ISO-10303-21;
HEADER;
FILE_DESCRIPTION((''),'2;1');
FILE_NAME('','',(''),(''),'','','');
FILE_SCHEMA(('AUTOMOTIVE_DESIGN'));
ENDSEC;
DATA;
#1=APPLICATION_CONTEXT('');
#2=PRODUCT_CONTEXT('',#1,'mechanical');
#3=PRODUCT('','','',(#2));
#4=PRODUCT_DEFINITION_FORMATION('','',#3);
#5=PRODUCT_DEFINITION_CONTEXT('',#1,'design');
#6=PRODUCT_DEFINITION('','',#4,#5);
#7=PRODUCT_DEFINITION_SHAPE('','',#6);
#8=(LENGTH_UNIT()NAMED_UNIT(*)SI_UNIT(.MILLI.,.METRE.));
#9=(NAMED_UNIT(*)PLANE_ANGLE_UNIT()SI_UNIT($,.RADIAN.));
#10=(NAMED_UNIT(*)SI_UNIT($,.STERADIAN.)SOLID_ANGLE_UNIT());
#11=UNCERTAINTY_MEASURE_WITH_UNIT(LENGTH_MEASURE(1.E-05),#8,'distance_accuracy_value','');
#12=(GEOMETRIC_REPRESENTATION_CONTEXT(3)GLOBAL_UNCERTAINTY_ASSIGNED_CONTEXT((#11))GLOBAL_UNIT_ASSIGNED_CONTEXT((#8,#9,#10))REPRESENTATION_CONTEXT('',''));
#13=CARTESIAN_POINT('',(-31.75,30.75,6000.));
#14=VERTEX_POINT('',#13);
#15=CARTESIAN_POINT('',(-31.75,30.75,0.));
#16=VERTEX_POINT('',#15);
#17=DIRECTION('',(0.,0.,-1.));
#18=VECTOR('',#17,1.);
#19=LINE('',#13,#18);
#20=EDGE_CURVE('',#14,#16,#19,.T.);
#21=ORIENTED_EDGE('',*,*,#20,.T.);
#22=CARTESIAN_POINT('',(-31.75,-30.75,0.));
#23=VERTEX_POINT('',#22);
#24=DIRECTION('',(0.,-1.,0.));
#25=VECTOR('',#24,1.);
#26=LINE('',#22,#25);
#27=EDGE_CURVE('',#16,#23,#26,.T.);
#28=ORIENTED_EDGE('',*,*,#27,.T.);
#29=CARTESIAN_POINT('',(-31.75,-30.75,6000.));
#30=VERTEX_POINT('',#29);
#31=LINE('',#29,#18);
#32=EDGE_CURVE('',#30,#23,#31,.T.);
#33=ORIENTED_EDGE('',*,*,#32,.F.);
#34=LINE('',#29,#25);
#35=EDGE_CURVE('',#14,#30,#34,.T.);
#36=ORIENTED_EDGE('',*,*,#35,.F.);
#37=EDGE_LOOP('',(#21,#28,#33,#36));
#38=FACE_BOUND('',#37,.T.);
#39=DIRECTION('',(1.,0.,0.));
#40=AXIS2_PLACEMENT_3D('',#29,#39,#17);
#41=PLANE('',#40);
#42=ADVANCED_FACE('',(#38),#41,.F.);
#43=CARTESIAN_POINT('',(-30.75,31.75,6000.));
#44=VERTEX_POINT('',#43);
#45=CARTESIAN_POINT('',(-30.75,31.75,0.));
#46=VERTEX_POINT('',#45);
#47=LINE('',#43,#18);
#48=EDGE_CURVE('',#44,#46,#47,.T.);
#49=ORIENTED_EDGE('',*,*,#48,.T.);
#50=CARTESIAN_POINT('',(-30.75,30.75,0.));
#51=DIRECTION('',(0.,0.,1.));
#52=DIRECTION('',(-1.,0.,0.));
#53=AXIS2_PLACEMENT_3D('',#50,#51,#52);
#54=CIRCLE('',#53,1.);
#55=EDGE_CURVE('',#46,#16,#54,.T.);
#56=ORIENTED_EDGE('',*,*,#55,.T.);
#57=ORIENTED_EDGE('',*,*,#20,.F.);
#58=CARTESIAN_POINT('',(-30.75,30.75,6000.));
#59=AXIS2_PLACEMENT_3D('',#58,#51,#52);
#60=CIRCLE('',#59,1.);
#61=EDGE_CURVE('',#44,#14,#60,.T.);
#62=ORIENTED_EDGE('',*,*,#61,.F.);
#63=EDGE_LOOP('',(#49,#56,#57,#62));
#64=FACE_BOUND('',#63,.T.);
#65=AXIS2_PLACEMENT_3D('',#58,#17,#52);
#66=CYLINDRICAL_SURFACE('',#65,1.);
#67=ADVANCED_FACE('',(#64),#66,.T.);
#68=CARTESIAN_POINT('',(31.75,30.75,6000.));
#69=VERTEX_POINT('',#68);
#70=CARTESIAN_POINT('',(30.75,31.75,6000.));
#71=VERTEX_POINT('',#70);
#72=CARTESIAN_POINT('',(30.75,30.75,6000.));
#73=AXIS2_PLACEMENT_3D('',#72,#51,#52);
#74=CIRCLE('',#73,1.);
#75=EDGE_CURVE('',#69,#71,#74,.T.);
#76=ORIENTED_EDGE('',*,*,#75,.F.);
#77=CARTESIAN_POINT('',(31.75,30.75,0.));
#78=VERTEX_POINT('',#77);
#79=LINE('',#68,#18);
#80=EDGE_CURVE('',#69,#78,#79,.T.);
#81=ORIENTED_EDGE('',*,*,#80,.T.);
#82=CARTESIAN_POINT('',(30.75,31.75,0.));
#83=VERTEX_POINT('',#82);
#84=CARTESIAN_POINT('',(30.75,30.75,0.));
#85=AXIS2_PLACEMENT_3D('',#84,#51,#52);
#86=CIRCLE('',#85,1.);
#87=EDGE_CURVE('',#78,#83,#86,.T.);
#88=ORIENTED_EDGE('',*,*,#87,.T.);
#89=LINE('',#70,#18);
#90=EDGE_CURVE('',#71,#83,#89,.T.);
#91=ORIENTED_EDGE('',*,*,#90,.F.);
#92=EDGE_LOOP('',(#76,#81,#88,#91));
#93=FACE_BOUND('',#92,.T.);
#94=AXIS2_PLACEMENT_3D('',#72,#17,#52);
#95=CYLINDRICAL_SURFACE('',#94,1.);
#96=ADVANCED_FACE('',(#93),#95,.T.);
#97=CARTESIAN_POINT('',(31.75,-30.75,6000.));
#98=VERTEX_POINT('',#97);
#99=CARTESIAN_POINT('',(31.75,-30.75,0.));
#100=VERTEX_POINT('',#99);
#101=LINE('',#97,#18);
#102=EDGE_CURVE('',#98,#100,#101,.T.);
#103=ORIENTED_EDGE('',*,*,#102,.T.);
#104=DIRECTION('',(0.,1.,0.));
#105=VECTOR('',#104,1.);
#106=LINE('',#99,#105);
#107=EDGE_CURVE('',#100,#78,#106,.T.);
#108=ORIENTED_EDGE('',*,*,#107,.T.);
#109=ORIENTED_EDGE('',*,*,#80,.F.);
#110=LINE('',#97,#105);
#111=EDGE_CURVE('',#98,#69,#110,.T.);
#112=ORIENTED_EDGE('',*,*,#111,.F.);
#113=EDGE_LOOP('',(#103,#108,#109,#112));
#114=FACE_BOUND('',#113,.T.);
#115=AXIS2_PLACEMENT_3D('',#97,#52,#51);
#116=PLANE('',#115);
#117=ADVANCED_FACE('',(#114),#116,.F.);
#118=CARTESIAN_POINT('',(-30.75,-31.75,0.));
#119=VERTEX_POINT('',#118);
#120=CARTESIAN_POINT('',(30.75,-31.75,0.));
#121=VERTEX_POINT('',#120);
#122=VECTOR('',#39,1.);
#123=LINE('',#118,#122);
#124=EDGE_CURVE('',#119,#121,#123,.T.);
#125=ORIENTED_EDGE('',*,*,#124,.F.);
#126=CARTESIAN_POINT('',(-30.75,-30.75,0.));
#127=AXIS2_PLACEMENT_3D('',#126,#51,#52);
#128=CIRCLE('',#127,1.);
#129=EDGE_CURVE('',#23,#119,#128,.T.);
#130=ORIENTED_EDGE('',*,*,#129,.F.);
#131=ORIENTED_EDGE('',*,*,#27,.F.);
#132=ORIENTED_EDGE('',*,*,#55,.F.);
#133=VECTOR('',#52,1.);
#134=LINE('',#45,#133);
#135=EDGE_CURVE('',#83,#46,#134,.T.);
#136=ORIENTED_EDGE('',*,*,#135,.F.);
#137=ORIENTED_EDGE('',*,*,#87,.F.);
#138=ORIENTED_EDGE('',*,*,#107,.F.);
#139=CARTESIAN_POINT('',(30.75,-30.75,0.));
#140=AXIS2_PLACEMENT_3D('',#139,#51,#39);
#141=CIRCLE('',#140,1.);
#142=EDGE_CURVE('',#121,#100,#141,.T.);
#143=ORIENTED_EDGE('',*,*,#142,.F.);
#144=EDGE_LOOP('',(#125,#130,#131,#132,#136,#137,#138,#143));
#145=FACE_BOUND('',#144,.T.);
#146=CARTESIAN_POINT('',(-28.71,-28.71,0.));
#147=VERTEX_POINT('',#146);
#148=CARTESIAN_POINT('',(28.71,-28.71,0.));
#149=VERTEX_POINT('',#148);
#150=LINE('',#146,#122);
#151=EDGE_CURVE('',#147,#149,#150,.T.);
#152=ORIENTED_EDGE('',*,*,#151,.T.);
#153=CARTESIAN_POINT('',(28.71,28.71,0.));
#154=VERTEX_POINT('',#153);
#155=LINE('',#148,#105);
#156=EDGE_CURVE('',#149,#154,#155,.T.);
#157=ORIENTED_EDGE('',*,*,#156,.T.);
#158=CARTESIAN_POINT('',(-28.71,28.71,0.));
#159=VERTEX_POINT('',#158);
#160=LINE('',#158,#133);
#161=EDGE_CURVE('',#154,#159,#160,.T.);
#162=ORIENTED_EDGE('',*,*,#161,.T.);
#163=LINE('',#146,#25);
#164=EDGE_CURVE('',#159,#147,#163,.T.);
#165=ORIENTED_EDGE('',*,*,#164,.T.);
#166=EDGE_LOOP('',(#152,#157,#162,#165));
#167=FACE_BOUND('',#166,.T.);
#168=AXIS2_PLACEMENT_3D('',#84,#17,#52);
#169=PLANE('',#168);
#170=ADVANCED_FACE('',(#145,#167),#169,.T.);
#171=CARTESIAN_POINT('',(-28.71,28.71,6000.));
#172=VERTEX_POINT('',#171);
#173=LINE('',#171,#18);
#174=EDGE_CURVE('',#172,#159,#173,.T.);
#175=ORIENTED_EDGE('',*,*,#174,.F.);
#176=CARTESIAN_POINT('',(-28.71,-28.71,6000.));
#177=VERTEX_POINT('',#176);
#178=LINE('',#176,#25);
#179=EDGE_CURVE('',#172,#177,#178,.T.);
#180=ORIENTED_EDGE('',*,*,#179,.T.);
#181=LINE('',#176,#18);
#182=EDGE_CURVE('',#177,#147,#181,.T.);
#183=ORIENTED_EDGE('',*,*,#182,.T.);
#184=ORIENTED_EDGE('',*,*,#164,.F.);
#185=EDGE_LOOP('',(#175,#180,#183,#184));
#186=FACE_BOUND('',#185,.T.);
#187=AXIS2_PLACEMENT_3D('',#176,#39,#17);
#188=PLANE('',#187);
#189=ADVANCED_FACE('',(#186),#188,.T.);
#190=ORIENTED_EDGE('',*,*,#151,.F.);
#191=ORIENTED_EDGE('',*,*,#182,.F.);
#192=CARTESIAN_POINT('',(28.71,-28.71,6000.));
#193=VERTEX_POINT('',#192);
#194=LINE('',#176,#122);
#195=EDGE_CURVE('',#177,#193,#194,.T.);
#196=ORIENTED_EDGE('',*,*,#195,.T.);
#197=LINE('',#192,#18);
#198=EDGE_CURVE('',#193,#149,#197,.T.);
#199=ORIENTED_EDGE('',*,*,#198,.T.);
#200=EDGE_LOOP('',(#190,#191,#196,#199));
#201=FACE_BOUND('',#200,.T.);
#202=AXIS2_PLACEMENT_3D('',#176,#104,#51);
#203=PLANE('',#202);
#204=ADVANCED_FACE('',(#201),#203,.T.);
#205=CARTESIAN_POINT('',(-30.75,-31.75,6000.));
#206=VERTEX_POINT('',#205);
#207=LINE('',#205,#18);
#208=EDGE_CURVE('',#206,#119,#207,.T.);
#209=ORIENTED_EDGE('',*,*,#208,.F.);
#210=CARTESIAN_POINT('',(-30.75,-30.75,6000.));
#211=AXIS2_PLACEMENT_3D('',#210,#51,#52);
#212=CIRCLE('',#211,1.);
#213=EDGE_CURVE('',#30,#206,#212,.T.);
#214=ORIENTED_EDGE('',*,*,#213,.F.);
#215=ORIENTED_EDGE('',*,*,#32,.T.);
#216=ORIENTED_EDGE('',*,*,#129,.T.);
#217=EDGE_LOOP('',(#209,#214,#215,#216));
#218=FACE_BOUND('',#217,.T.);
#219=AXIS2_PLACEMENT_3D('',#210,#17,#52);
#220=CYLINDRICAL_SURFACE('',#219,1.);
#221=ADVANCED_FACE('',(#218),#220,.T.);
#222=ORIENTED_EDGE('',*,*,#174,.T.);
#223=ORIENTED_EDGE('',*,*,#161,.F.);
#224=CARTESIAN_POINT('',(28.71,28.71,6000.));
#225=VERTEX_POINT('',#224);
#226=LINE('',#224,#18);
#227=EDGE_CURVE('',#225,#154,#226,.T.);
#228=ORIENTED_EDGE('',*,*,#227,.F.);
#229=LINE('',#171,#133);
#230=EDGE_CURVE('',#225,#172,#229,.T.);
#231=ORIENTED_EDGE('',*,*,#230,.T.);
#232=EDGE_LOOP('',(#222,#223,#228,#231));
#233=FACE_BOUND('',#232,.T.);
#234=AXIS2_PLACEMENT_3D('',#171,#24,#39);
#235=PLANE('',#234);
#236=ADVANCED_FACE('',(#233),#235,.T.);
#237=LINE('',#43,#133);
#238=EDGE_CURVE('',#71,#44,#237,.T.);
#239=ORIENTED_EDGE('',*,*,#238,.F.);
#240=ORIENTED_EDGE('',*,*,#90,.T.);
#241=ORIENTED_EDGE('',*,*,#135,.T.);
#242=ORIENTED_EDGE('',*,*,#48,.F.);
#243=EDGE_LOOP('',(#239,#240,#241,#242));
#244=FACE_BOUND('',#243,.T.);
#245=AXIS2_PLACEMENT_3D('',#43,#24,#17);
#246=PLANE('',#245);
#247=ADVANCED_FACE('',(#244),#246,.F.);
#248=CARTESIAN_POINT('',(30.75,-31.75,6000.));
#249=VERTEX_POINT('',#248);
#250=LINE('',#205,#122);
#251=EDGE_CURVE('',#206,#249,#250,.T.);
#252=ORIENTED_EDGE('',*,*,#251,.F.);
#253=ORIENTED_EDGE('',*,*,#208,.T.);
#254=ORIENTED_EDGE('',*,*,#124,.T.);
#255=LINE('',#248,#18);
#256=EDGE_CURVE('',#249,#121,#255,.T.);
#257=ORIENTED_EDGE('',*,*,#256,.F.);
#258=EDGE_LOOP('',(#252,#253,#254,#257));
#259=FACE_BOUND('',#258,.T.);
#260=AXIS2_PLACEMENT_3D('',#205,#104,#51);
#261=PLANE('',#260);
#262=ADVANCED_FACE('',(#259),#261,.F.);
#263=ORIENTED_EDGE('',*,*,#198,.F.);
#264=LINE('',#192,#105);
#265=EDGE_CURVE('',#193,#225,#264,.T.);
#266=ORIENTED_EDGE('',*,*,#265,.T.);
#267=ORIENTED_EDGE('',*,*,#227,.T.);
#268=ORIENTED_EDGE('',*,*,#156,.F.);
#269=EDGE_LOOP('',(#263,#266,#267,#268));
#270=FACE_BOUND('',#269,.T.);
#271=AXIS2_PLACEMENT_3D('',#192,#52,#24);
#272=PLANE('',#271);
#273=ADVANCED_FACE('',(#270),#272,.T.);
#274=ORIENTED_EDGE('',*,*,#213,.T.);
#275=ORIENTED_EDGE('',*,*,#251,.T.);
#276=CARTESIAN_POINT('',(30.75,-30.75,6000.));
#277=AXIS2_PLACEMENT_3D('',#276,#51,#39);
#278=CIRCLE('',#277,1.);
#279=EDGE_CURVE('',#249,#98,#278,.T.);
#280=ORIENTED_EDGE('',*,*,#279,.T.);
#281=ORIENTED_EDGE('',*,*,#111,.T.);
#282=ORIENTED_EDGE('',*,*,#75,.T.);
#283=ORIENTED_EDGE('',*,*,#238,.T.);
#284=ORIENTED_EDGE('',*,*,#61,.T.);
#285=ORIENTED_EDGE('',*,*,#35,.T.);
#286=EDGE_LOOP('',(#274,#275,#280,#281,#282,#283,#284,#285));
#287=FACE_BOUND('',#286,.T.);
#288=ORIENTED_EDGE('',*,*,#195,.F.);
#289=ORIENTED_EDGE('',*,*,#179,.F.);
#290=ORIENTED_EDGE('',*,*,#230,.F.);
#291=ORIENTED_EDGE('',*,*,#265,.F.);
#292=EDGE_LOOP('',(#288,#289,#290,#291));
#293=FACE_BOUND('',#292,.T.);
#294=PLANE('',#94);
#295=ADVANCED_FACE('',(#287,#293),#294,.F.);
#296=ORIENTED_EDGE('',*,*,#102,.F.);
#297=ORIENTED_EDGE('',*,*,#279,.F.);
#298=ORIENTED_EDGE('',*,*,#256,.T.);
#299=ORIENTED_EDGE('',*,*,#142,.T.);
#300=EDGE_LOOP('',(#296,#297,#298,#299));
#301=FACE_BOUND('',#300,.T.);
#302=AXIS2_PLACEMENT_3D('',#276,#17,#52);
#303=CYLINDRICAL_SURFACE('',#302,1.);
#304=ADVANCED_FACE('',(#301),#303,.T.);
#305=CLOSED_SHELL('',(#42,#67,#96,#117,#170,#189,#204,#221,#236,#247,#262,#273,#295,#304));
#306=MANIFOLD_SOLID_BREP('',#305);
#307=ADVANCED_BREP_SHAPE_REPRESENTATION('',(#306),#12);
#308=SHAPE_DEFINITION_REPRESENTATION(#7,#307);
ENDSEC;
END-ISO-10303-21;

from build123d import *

# Parameters (mm, degrees)
CROQUIS1_W              = 57.42
CROQUIS1_H              = 57.42
SALIENTE_EXTRUIR1_DEPTH = 6000


with BuildPart() as part:
    # Croquis1 → Saliente-Extruir1 (new body)
    with BuildSketch(Plane.XY):
        with BuildLine():
            Line((-30.75, -31.75), (30.75, -31.75))
            ThreePointArc((30.75, -31.75), (31.457106781, -31.457106781), (31.75, -30.75))
            Line((31.75, -30.75), (31.75, 30.75))
            ThreePointArc((31.75, 30.75), (31.457106781, 31.457106781), (30.75, 31.75))
            Line((30.75, 31.75), (-30.75, 31.75))
            ThreePointArc((-30.75, 31.75), (-31.457106781, 31.457106781), (-31.75, 30.75))
            Line((-31.75, 30.75), (-31.75, -30.75))
            ThreePointArc((-31.75, -30.75), (-31.457106781, -31.457106781), (-30.75, -31.75))
        make_face()
        Rectangle(CROQUIS1_W, CROQUIS1_H, mode=Mode.SUBTRACT)
    extrude(amount=SALIENTE_EXTRUIR1_DEPTH)


solid = part.part
